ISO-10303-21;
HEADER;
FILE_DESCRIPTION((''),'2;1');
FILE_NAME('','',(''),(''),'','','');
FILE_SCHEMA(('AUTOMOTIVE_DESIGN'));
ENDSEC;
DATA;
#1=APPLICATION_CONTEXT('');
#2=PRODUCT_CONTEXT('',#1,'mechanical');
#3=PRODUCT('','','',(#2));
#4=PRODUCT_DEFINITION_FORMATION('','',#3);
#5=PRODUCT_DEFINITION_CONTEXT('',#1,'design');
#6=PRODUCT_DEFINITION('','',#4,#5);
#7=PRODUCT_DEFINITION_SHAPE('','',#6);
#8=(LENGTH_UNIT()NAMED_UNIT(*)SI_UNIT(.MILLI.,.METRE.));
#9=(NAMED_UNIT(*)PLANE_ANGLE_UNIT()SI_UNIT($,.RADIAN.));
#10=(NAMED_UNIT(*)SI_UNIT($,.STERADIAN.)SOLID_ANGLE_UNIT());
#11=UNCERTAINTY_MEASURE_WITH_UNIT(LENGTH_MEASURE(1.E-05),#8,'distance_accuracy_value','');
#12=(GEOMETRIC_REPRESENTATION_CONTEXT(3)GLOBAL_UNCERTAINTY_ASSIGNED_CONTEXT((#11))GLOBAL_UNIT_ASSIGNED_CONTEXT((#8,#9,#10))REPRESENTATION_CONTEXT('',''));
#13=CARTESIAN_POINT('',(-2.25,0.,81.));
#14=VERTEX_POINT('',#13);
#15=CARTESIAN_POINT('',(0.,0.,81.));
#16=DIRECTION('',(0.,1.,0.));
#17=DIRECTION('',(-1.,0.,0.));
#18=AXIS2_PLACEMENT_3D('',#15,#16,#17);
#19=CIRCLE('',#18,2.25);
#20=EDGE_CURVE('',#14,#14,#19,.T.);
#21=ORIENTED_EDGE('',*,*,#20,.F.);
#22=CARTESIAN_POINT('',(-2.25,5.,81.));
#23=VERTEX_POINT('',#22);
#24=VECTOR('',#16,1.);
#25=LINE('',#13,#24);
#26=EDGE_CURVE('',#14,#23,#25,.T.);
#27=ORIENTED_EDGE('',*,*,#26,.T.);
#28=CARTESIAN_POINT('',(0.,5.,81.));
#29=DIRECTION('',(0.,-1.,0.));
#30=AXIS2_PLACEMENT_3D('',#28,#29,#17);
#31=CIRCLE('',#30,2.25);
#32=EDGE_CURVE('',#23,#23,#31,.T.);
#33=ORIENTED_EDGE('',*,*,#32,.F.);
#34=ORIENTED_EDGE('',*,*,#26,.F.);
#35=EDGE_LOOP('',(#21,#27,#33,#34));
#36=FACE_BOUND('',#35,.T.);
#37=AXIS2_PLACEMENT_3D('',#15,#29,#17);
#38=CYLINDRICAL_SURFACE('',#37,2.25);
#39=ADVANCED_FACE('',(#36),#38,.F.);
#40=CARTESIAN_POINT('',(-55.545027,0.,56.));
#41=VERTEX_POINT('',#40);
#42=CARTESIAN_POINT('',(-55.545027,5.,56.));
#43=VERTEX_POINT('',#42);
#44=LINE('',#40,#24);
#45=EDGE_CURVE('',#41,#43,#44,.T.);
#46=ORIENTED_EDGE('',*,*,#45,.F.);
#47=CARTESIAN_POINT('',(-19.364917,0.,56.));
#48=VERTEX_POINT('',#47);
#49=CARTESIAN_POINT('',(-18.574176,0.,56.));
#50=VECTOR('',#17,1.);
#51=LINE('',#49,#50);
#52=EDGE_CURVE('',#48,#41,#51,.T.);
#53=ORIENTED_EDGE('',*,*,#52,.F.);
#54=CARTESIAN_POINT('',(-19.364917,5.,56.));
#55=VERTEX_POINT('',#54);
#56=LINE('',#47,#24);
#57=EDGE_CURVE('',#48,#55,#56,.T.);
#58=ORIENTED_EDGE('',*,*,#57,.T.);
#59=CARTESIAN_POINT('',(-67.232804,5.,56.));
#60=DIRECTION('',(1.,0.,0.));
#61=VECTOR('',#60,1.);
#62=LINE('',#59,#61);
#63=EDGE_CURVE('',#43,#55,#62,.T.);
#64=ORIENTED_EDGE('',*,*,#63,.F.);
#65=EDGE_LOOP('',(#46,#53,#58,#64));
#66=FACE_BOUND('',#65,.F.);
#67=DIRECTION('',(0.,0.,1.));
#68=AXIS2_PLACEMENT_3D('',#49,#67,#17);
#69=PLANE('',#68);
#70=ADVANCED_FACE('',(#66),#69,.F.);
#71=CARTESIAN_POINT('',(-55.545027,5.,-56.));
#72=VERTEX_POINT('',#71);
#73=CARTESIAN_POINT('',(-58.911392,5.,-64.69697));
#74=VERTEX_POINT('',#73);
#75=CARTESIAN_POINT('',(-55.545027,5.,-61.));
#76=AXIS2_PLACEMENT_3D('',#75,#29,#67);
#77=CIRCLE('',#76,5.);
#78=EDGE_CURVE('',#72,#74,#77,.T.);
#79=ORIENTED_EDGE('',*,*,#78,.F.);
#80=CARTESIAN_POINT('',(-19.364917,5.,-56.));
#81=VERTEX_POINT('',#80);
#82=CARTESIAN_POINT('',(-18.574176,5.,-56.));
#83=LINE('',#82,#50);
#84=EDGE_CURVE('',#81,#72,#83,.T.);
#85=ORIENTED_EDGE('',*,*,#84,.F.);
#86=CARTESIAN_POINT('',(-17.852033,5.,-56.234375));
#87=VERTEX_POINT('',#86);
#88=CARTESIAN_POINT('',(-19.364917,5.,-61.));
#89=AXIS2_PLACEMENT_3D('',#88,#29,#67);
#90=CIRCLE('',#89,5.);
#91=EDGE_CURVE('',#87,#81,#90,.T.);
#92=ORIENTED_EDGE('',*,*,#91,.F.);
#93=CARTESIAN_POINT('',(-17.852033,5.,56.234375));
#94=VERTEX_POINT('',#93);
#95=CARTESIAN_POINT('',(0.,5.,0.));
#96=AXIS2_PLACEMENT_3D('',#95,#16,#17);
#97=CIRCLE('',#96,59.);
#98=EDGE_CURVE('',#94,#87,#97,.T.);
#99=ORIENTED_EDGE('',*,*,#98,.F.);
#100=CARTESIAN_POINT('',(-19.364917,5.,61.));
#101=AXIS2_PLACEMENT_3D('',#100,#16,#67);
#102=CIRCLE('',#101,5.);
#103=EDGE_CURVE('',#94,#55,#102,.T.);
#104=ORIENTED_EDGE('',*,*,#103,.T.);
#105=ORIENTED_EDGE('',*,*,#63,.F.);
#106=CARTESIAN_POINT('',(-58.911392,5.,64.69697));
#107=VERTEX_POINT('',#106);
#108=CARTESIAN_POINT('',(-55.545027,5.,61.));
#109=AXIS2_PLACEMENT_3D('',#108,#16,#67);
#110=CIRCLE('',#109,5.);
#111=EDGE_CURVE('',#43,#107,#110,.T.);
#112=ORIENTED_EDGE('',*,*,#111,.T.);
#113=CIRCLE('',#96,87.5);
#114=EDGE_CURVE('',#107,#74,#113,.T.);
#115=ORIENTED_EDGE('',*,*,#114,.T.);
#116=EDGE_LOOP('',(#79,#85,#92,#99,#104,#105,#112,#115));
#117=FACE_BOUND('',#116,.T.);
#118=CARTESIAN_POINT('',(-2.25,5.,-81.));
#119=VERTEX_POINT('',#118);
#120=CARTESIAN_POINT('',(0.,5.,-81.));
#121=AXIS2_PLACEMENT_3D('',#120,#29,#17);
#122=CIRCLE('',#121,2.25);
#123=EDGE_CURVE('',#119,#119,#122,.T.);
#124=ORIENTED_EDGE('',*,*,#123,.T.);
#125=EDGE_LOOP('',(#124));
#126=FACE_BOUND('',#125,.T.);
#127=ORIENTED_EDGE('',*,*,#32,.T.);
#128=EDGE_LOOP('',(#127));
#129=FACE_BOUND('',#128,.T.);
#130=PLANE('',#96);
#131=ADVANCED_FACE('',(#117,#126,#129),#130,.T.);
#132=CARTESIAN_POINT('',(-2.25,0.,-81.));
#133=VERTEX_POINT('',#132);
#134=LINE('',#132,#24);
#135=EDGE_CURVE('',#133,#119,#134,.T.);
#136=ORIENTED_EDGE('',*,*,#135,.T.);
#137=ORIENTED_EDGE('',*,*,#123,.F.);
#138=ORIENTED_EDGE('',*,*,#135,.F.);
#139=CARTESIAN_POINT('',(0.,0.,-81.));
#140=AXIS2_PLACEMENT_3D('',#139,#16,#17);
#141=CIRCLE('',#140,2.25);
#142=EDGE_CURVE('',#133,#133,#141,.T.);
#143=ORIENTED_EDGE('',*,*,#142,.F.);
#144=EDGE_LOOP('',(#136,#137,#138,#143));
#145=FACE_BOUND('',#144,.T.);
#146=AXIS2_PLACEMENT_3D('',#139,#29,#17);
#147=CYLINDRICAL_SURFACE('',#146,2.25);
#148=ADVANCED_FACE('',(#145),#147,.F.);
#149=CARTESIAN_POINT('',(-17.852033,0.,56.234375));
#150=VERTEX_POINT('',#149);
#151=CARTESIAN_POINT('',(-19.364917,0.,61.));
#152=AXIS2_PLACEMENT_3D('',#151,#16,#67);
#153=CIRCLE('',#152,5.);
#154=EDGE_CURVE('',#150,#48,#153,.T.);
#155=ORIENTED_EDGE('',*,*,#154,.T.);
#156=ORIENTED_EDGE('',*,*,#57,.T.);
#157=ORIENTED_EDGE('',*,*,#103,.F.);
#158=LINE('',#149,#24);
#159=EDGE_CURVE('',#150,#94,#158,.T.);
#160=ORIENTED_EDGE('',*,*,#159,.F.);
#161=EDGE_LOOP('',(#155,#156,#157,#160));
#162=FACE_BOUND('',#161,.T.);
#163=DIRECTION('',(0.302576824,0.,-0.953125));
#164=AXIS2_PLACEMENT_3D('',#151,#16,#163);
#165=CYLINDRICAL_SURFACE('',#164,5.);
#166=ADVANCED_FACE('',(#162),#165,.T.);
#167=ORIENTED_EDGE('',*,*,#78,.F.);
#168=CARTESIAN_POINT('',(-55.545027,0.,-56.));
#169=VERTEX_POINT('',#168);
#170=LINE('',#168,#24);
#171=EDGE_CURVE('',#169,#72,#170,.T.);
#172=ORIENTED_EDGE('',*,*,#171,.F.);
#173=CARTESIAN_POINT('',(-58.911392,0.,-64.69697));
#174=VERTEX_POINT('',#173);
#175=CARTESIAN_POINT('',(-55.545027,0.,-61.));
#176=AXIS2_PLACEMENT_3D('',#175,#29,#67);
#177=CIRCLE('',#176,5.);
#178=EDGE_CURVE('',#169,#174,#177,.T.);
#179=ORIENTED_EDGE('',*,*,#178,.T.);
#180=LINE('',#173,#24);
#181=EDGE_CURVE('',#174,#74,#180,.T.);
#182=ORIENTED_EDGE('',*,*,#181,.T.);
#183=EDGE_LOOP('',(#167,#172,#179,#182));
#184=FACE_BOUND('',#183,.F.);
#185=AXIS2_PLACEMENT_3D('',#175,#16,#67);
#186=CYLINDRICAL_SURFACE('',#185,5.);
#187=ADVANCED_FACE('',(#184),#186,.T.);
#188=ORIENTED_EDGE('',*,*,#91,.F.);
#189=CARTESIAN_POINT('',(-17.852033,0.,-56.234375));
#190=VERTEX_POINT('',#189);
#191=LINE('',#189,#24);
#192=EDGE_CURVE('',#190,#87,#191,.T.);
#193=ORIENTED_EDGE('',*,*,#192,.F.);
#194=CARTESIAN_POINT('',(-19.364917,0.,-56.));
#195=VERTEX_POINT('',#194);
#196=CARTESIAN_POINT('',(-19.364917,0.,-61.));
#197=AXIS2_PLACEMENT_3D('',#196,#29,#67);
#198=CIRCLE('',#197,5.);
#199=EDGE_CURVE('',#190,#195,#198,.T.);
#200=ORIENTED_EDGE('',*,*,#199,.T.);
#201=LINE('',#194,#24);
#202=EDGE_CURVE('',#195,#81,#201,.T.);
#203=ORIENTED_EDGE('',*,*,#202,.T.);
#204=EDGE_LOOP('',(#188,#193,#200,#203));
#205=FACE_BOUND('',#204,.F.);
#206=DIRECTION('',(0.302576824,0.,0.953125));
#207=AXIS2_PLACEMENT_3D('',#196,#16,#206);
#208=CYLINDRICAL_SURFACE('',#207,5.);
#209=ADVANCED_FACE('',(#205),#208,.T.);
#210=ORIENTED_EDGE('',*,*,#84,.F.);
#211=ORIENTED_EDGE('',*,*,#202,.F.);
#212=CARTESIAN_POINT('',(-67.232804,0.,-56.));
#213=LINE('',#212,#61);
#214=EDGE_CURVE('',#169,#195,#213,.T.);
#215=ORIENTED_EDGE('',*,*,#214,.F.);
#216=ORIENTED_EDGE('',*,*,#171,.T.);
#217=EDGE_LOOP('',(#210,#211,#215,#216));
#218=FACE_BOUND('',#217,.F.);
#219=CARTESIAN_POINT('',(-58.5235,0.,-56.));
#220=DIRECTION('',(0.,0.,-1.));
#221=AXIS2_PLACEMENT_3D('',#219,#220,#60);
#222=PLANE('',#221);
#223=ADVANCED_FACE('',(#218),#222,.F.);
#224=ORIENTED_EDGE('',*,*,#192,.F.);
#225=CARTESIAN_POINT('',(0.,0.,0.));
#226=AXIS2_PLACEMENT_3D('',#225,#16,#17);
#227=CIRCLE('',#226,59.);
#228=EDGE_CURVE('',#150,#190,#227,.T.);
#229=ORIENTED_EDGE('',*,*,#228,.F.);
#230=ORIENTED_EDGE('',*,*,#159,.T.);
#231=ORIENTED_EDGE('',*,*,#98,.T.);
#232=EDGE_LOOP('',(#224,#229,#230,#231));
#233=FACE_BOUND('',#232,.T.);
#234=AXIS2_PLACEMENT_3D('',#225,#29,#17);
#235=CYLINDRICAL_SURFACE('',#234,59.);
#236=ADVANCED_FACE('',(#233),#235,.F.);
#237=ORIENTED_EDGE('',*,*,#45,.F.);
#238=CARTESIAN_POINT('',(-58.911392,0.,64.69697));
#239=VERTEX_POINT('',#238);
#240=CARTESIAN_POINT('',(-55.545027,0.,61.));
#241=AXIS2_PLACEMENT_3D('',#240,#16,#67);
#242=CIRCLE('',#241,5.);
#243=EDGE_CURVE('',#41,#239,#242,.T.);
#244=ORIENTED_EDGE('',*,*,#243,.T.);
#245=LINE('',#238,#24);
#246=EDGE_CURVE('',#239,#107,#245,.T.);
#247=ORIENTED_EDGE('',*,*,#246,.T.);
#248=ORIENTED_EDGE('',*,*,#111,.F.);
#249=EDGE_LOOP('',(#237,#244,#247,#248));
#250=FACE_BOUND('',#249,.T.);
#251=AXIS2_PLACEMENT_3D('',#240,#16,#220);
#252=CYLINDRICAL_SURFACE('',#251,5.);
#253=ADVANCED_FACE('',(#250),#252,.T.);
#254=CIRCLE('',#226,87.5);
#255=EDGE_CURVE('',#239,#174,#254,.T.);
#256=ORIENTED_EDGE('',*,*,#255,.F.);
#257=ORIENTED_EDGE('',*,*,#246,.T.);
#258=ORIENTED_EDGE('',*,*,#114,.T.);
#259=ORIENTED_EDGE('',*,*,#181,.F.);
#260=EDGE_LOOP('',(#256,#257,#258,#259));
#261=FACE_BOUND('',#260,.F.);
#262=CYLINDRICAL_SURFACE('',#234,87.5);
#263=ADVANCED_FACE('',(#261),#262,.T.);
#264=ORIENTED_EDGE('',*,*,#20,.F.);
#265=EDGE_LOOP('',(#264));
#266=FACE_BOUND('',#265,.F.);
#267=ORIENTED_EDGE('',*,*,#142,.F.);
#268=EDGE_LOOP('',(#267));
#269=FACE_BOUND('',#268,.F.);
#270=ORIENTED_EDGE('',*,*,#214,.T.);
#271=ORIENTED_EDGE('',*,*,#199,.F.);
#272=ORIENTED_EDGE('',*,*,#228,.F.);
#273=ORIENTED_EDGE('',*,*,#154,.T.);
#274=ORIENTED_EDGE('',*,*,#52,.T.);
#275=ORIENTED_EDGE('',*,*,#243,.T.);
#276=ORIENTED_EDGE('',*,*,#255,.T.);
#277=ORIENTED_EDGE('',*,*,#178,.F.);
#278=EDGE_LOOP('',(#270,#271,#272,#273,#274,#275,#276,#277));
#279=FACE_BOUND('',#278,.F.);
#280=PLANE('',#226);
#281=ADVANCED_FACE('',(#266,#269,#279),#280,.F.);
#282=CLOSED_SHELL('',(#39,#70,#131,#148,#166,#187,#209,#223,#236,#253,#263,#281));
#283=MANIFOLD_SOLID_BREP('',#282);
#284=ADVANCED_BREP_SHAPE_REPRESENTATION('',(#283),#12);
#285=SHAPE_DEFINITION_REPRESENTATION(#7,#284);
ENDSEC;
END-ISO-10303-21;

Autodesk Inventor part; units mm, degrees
ref_plane "YZ Plane" through (0, 0, 0) normal (1, 0, 0) x (0, 1, 0)
ref_plane "XZ Plane" through (0, 0, 0) normal (0, 1, 0) x (-1, 0, 0)
ref_plane "XY Plane" through (0, 0, 0) normal (0, 0, 1) x (1, 0, 0)
sketch "Sketch1" plane through (0, 0, 0) normal (0, 1, 0) x (-1, 0, 0)
  circle A0 centre (0, 0) radius 59
  circle A1 centre (0, 0) radius 81
  circle A2 centre (0, 0) radius 87.5
  circle A3 centre (0, 81) radius 2.25
  circle A4 centre (0, -81) radius 2.25
  line L0 (90, -56) -> (15, -56)
  line L1 (10, -51) -> (10, 51)
  line L2 (15, 56) -> (90, 56)
  line L3 (90, 56) -> (90, -56)
  line L4 (90, -56) -> (10, 56) construction
  line L5 (10, -56) -> (90, 56) construction
  arc A5 (10, -51) -> (15, -56) centre (15, -51) ccw
  arc A6 (15, 56) -> (10, 51) centre (15, 51) ccw
  point P0 (50, 0)
  point P1 (90, 0)
  point P2 (10, 0)
  point P3 (60, -54.4151)
  point P4 (60, 54.4151)
  point P5 (80, 35.4436)
  point P6 (80, -35.4436)
  point P7 (67.2328, 56)
  point P8 (67.2328, -56)
  dimension "d0" = 118
  dimension "d1" = 162
  dimension "d2" = 175
  dimension "d3" = 4.5
  dimension "d4" = 4.5
  dimension "d7" = 112
  dimension "d9" = 80
  dimension "d10" = 10
  dimension "d11" = 5
extrude "Extrusion1" add sketch "Sketch1" along normal blind 5 contours A0 L0 A1 A4 A3 L2 | A1 A3 A4 L0 A2 L2
fillet "Fillet1" radius 5 4 edges at (-67.2328, 2.5, -56) (-67.2328, 2.5, 56) (-18.5742, 2.5, -56) (-18.5742, 2.5, 56)
properties part number "Cylinder Segment Holder"
